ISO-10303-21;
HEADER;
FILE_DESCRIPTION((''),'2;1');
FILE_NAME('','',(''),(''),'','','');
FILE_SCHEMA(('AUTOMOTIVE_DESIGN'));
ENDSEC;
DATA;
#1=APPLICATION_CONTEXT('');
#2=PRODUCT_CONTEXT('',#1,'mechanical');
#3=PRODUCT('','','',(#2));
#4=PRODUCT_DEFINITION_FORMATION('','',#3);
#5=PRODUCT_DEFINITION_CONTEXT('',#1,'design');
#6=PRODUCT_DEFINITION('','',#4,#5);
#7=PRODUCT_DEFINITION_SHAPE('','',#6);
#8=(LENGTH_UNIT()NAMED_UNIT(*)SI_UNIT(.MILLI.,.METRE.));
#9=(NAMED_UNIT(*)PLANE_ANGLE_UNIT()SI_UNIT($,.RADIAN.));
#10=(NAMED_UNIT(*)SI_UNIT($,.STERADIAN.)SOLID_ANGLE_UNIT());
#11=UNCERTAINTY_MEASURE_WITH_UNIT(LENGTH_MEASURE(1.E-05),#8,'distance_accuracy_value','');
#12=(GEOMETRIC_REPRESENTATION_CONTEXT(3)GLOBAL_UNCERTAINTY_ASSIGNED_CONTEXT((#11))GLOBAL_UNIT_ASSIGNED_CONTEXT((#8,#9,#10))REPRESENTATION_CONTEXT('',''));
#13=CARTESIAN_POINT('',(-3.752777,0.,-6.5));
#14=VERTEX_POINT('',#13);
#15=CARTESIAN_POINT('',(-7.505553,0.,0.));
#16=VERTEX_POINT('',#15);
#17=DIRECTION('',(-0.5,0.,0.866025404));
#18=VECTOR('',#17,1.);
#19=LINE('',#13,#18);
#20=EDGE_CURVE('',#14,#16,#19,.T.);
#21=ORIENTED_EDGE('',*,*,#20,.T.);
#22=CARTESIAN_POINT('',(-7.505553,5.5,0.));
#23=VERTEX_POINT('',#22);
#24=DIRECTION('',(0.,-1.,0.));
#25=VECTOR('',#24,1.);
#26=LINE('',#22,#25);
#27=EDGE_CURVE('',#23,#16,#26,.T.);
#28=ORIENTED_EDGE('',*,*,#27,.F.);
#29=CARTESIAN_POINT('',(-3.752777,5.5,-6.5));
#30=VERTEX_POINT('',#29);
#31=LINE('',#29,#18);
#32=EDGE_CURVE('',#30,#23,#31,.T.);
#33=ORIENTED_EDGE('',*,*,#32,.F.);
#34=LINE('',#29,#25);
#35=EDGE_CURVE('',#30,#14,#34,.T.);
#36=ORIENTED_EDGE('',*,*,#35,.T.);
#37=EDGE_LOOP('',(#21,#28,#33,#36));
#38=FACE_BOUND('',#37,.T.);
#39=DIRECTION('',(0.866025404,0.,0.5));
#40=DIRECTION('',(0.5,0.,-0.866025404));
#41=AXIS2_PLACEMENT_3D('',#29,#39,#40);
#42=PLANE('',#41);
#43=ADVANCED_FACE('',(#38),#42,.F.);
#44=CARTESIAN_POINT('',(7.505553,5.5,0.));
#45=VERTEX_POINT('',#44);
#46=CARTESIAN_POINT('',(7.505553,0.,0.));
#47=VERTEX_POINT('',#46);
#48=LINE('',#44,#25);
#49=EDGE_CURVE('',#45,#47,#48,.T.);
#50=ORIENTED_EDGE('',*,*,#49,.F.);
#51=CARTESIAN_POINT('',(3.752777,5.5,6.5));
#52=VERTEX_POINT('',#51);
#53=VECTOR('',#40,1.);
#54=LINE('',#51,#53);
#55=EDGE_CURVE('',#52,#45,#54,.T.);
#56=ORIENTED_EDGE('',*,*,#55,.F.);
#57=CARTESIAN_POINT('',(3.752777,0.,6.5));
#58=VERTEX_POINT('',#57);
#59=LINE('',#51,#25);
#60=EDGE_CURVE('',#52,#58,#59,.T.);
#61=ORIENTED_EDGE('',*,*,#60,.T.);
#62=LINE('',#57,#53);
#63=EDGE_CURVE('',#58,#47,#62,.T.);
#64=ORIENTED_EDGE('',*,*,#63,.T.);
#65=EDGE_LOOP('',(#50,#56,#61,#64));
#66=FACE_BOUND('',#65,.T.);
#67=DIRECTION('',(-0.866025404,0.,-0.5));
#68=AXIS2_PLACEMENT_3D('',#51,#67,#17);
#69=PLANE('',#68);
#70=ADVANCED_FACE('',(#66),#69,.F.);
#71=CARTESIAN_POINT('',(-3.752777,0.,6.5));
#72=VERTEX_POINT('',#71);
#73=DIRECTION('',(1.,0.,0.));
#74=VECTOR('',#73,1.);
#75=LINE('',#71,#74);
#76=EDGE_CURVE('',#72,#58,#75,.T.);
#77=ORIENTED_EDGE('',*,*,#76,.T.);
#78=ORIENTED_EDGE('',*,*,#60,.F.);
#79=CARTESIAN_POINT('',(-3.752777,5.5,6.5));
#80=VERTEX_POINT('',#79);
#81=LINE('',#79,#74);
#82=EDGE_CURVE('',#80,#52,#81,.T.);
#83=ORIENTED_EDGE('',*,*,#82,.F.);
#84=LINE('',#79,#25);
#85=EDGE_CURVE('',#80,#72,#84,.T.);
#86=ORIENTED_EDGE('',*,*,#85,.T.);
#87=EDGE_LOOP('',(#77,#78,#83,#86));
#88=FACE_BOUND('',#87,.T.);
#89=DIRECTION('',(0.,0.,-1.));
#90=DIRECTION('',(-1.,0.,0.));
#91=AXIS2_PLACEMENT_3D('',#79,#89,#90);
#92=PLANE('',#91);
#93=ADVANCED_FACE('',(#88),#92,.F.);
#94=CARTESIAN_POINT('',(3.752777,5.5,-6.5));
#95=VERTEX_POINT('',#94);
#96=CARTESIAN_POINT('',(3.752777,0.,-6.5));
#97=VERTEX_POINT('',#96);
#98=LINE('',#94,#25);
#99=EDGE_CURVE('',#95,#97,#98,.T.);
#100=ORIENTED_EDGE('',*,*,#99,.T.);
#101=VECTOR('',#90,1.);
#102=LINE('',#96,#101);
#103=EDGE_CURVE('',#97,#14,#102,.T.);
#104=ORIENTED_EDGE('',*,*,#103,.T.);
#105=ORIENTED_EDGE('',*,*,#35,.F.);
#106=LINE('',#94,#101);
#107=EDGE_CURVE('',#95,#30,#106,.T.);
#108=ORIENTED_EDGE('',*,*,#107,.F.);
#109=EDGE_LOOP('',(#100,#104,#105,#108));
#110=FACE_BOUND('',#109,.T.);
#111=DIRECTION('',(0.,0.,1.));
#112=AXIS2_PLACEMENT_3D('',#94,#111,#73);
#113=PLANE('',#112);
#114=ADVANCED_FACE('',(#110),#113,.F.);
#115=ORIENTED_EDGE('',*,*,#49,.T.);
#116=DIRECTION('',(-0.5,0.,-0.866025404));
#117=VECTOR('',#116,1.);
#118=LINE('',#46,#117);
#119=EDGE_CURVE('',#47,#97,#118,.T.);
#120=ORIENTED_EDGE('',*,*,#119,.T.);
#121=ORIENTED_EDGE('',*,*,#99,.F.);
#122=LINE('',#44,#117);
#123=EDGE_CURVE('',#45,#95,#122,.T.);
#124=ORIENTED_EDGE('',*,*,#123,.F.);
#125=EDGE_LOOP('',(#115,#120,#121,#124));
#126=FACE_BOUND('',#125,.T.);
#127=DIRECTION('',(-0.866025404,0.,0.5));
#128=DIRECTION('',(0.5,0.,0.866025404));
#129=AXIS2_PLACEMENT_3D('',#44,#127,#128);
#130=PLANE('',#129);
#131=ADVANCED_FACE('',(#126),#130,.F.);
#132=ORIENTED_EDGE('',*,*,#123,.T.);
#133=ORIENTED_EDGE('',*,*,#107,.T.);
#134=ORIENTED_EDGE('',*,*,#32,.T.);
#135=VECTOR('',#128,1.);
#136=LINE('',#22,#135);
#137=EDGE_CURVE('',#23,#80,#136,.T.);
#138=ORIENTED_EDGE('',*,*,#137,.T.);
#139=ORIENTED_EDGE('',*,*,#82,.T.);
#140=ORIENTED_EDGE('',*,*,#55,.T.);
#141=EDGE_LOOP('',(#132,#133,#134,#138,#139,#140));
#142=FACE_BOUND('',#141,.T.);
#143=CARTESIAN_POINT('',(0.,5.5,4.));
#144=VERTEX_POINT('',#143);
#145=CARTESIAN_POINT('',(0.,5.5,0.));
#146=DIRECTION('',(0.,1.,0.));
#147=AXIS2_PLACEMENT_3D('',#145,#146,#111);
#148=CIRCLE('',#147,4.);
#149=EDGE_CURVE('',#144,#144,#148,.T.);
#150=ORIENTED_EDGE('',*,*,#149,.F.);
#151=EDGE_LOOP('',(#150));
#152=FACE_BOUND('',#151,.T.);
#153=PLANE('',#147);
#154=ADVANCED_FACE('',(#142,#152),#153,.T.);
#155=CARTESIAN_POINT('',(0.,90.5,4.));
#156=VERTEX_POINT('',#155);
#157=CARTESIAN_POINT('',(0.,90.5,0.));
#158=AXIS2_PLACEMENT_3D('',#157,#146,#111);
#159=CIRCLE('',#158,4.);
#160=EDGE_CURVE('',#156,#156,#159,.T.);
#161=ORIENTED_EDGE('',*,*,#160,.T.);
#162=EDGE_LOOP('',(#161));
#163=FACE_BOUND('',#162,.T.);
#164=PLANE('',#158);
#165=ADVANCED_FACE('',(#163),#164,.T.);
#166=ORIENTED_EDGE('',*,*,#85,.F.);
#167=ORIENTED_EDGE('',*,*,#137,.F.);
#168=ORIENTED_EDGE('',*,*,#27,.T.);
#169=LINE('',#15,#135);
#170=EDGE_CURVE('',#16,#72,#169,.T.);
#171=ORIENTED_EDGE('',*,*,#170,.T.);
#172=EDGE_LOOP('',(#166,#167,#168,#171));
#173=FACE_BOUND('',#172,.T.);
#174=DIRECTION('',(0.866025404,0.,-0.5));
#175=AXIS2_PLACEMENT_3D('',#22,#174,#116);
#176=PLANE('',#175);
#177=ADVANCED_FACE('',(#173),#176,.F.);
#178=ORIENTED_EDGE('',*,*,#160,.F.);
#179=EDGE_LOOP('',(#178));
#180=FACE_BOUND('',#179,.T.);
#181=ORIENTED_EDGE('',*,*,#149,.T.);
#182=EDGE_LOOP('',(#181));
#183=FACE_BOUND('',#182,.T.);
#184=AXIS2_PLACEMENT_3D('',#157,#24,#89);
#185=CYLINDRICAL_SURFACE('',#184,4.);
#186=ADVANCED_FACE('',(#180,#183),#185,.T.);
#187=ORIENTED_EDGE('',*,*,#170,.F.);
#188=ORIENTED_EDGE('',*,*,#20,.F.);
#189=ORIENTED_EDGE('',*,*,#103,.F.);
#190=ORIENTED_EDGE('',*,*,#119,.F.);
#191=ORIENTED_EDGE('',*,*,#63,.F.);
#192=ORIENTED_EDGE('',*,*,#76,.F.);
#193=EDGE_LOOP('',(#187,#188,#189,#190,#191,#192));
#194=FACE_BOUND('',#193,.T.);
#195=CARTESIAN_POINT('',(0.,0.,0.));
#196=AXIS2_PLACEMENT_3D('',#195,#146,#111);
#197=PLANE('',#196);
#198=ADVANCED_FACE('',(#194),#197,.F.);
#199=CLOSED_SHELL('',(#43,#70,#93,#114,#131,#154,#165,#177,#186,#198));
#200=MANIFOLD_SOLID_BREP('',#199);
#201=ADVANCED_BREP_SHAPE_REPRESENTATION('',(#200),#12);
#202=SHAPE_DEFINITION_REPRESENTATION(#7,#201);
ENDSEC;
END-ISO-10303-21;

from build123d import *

# Parameters (mm, degrees)
BOSS_EXTRUDE1_DEPTH = 5.5
SKETCH3_R           = 4
BOSS_EXTRUDE2_DEPTH = 85


with BuildPart() as part:
    # Sketch2 → Boss-Extrude1 (new body)
    with BuildSketch(Plane(origin=(0, 0, 0), x_dir=(1, 0, 0), z_dir=(0, 1, 0))):
        Polygon((-7.505553499, 0), (-3.75277675, -6.5), (3.75277675, -6.5), (7.505553499, 0), (3.75277675, 6.5), (-3.75277675, 6.5), align=None)
    extrude(amount=BOSS_EXTRUDE1_DEPTH)

    # Sketch3 → Boss-Extrude2 (add)
    with BuildSketch(Plane(origin=(0, 5.5, 0), x_dir=(1, 0, 0), z_dir=(0, 1, 0))):
        Circle(SKETCH3_R)
    extrude(amount=BOSS_EXTRUDE2_DEPTH)


solid = part.part
